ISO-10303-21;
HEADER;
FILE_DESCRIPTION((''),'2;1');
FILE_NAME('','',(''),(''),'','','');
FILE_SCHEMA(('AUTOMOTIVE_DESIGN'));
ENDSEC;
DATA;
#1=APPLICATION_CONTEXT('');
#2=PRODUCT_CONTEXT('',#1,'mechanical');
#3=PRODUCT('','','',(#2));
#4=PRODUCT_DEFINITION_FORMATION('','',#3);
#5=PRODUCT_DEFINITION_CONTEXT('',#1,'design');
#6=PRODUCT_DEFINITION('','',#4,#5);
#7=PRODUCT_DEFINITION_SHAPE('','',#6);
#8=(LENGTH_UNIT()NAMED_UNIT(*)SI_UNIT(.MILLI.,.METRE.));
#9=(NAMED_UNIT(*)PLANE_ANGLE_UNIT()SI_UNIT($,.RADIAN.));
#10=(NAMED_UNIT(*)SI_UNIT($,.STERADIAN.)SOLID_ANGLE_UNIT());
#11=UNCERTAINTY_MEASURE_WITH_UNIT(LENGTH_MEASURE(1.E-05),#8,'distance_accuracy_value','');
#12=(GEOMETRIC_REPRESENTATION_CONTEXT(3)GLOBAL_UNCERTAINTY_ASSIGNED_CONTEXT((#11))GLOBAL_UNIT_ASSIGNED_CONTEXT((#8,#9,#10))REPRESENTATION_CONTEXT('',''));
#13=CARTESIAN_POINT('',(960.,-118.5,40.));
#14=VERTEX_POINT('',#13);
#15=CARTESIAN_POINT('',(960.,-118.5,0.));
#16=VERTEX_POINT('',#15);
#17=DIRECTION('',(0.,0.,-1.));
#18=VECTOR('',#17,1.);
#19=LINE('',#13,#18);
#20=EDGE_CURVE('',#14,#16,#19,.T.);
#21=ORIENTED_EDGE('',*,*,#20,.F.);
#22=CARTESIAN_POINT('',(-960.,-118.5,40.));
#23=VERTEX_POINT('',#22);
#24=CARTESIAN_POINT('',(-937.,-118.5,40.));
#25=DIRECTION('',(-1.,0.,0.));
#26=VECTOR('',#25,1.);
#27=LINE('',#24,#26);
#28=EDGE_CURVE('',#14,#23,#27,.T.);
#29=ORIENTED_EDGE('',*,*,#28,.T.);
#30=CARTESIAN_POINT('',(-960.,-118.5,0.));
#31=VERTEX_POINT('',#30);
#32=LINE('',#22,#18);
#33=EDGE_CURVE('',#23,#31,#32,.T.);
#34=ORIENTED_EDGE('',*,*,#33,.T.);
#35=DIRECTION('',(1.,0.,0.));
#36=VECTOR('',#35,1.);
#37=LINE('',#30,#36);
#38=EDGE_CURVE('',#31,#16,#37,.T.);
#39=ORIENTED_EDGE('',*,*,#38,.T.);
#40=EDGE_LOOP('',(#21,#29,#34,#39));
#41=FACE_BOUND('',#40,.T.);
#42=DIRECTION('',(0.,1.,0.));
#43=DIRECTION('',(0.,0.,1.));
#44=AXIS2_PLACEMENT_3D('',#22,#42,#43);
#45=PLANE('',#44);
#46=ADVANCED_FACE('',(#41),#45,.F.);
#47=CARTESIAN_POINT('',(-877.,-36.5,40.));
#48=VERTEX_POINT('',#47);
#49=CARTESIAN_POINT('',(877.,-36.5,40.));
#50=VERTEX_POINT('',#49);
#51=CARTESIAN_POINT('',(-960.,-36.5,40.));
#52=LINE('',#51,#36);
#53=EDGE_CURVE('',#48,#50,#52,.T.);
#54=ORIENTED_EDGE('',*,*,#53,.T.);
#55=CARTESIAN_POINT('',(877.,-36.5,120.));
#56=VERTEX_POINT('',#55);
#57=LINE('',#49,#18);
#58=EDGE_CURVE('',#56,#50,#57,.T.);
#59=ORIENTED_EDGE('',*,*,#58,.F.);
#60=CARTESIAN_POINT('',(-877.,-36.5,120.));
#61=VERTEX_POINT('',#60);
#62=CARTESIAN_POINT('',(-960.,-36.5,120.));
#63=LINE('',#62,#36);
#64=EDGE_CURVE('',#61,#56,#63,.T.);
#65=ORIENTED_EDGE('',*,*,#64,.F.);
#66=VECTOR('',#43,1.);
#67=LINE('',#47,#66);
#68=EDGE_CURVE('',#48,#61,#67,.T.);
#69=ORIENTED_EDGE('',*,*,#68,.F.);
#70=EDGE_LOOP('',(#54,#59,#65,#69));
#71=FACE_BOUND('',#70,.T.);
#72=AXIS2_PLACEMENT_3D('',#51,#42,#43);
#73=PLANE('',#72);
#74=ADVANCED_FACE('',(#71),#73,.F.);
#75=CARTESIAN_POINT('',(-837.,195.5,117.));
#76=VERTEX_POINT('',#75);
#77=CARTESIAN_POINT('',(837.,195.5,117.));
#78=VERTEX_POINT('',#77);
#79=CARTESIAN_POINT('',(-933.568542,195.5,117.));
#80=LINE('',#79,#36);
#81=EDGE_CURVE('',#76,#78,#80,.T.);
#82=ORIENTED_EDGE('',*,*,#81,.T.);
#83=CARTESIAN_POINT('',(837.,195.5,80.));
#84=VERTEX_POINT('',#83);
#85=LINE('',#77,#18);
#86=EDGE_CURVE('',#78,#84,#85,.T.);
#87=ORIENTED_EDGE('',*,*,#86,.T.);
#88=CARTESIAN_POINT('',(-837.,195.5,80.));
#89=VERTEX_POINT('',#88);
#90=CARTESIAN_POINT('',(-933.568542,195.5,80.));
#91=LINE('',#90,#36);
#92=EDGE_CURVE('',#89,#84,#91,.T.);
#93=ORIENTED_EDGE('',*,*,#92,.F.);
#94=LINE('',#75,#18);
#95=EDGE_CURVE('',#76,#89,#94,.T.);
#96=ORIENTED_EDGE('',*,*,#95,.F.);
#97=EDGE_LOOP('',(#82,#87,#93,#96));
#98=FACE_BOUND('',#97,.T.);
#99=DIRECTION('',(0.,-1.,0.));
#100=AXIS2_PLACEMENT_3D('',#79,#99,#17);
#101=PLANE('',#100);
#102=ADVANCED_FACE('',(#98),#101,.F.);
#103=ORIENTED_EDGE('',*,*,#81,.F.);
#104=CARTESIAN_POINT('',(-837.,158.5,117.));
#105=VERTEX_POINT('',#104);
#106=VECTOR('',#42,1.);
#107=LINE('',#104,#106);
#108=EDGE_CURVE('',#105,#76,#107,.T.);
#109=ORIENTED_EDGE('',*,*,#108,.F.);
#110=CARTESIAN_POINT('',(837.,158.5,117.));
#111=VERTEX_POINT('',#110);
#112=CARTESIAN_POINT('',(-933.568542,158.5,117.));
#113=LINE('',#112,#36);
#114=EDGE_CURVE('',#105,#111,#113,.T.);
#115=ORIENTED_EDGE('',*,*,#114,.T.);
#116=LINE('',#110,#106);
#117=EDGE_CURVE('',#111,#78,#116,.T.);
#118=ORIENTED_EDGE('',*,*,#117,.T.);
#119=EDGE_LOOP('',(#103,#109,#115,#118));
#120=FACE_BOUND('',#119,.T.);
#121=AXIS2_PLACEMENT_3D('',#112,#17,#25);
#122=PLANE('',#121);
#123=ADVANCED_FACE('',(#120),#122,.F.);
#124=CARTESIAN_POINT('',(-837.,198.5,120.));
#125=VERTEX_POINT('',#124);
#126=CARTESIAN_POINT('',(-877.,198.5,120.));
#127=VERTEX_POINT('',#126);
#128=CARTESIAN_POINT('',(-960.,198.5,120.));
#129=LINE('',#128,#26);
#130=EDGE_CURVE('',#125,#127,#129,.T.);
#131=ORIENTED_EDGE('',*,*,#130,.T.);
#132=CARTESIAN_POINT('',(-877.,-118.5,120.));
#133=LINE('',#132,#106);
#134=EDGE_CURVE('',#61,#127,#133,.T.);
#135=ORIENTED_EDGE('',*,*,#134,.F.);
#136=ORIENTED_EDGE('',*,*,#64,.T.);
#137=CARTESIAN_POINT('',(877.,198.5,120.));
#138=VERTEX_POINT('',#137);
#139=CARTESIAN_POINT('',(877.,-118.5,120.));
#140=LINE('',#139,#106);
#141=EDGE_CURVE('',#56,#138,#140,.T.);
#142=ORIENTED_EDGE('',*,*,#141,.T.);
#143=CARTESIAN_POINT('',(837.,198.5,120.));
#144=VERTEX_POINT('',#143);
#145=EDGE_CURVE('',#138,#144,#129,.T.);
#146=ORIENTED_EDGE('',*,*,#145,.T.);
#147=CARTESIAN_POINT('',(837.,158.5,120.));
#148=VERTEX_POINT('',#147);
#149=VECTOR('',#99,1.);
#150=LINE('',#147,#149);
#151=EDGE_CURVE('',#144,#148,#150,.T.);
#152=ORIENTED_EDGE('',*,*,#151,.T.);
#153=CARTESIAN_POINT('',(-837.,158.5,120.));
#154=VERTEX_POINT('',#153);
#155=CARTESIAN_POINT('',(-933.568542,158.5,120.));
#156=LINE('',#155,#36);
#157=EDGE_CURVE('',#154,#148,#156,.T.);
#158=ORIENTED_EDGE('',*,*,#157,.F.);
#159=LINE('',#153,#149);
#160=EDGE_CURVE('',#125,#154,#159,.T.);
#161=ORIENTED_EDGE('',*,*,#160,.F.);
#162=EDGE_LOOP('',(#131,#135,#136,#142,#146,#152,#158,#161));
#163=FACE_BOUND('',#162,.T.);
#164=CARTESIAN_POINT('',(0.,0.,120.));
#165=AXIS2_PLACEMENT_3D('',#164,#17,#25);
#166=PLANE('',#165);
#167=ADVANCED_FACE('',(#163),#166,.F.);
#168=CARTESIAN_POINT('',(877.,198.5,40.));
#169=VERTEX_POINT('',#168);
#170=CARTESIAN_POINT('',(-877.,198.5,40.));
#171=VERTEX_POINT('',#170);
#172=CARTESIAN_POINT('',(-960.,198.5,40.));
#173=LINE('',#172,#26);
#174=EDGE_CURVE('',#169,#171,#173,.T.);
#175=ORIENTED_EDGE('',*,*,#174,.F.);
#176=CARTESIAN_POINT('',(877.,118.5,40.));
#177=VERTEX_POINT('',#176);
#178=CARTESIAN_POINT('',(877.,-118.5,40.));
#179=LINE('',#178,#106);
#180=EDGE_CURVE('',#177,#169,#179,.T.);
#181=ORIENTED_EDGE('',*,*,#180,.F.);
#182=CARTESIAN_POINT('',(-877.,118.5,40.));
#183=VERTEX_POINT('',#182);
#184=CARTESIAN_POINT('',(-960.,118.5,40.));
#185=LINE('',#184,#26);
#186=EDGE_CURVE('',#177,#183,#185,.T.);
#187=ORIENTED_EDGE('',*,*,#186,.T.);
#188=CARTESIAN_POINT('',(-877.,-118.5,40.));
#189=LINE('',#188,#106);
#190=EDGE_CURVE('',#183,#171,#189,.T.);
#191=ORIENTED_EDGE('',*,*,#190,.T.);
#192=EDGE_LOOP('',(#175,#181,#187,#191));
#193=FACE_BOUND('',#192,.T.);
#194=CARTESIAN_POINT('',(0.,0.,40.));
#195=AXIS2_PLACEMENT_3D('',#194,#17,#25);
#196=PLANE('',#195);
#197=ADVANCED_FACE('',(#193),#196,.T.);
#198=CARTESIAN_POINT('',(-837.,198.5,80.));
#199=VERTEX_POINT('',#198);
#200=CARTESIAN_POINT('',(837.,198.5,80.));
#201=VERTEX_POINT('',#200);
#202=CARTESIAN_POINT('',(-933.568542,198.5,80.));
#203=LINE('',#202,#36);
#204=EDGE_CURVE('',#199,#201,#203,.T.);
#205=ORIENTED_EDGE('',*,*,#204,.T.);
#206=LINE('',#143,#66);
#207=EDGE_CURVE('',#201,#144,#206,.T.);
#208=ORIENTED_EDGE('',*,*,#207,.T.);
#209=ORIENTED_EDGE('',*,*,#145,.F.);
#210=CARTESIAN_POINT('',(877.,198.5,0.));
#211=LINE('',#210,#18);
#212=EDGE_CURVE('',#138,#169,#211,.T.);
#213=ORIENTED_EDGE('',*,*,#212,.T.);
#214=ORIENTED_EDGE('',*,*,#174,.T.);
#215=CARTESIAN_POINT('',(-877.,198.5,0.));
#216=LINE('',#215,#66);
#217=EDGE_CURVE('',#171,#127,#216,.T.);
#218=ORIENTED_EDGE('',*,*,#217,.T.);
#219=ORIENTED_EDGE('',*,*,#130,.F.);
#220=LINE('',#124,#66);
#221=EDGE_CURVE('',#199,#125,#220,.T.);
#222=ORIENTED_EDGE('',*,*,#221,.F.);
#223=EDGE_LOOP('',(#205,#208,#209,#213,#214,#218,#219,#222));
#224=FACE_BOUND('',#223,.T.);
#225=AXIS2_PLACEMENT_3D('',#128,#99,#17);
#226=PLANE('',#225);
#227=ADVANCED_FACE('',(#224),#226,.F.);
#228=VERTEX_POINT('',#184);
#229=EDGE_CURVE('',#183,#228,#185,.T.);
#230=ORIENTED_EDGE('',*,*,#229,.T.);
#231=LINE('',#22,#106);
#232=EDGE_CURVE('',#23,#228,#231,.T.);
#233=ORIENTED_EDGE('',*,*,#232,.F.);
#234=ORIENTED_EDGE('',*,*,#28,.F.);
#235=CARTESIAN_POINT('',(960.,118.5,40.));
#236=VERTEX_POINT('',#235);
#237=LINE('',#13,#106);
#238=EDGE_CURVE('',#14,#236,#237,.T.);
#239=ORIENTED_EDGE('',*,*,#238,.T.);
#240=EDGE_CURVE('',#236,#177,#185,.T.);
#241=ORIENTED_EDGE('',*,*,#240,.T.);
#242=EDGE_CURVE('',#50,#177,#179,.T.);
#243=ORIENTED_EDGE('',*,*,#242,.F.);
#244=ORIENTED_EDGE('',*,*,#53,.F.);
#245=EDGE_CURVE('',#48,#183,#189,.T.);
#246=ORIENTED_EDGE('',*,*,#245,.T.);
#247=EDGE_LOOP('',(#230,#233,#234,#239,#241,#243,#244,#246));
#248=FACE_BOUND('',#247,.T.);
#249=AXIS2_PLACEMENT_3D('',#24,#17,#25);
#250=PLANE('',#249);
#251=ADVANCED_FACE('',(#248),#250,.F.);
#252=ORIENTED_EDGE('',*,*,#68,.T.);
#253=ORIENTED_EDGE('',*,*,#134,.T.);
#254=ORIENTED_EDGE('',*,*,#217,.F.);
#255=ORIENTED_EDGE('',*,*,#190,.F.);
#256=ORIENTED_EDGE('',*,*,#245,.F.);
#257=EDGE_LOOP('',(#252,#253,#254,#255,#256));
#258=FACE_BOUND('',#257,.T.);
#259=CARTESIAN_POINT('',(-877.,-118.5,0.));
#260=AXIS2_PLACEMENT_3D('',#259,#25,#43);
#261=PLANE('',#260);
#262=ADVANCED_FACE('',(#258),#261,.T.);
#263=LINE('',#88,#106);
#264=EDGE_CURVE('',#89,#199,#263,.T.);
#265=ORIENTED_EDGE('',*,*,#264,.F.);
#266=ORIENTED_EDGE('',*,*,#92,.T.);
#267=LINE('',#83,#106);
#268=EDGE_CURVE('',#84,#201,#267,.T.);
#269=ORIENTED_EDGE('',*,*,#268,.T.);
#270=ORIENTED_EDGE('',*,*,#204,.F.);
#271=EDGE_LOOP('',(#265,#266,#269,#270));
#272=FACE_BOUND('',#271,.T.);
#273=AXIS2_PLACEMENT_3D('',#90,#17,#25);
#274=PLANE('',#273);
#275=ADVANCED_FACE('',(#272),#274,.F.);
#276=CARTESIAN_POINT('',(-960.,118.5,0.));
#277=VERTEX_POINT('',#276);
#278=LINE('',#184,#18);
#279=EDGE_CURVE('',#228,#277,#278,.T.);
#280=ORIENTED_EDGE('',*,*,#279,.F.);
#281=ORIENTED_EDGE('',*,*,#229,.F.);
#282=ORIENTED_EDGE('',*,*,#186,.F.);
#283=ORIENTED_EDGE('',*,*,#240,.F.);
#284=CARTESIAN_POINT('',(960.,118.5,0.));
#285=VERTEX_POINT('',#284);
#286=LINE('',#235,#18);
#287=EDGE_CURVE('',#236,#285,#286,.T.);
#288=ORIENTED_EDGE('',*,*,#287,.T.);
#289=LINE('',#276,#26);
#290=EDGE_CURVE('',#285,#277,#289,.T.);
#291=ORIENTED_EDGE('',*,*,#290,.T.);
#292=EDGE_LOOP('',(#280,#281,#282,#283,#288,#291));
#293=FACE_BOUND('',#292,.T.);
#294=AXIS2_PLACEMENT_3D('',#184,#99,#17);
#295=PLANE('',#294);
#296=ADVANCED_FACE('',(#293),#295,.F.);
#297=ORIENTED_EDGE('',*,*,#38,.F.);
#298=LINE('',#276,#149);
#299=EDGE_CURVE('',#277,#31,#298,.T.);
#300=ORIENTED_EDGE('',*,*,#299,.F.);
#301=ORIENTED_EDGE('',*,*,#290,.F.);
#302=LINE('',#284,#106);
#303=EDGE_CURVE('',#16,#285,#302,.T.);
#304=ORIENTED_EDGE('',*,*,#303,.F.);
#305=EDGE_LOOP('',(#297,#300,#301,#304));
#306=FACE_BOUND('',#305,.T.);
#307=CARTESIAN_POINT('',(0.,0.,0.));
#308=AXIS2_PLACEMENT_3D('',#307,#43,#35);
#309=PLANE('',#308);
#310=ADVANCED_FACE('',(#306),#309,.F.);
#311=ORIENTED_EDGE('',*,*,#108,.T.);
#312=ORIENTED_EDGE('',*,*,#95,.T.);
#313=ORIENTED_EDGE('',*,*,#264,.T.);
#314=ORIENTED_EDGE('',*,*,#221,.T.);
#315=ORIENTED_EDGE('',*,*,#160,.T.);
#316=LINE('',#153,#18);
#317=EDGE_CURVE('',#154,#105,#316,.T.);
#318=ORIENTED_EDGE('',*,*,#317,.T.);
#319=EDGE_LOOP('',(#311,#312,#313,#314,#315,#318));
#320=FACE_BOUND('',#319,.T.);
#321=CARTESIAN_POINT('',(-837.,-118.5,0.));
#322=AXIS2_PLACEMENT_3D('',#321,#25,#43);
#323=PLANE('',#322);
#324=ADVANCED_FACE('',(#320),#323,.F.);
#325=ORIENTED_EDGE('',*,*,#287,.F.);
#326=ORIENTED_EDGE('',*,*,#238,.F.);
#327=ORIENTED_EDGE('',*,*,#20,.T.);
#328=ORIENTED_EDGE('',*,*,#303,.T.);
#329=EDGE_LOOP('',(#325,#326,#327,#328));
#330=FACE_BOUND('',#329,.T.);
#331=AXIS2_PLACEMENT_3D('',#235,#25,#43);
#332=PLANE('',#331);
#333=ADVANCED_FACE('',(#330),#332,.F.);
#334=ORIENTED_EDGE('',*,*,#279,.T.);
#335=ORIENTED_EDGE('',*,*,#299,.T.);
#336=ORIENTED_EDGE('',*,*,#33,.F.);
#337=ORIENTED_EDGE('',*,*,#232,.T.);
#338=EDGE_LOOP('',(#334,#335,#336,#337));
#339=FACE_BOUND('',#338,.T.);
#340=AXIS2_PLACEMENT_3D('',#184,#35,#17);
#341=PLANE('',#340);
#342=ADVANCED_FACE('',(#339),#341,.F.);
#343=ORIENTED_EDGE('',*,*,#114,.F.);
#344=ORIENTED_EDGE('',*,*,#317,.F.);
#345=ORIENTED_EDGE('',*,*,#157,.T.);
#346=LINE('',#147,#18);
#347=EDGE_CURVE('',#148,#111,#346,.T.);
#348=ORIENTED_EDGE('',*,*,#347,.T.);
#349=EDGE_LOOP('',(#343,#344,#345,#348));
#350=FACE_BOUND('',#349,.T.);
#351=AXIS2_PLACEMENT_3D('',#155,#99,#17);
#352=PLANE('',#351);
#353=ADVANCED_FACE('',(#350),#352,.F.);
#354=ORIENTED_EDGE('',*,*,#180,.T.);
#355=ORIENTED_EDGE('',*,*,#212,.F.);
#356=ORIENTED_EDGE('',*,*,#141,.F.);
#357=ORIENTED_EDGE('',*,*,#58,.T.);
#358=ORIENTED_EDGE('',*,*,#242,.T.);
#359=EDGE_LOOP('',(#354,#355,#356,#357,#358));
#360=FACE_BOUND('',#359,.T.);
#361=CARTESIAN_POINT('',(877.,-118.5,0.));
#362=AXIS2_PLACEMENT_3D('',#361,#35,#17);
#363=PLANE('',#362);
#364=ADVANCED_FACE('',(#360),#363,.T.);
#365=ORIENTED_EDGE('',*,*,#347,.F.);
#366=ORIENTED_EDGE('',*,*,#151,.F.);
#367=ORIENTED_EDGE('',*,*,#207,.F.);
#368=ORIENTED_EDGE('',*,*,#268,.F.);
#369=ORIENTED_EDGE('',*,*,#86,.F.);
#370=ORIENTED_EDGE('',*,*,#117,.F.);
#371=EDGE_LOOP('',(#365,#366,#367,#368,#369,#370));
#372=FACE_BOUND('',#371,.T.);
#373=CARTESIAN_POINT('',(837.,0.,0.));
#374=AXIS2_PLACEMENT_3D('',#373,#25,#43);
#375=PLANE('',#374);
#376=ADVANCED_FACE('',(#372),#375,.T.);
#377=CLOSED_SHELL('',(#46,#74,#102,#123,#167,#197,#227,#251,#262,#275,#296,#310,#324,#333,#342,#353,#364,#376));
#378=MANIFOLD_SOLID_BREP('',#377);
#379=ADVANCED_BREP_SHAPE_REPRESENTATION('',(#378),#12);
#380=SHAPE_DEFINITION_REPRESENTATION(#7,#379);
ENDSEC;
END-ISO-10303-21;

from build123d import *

# Parameters (mm, degrees)
SKETCH1_W           = 1920
SKETCH1_H           = 237
BOSS_EXTRUDE1_DEPTH = 40
SKETCH2_W           = 1920
SKETCH2_H           = 317
BOSS_EXTRUDE2_DEPTH = 80
SKETCH3_W           = 23
SKETCH3_H           = 80
CUT_EXTRUDE2_DEPTH  = 1019.081038032
SKETCH6_W           = 80
SKETCH6_H           = 82
CUT_EXTRUDE3_DEPTH  = 1912.128266234
SKETCH7_W           = 60
SKETCH7_H           = 80
CUT_EXTRUDE4_DEPTH  = 1019.081038032
CUT_EXTRUDE5_DEPTH  = 1674


with BuildPart() as part:
    # Sketch1 → Boss-Extrude1 (new body)
    with BuildSketch(Plane.XY):
        Rectangle(SKETCH1_W, SKETCH1_H)
    extrude(amount=BOSS_EXTRUDE1_DEPTH)

    # Sketch2 → Boss-Extrude2 (add)
    with BuildSketch(Plane.XY.offset(40)):
        with Locations((0, 40)):
            Rectangle(SKETCH2_W, SKETCH2_H)
    extrude(amount=BOSS_EXTRUDE2_DEPTH)

    # Sketch3 → Cut-Extrude2 (cut, through all)
    with BuildSketch(Plane(origin=(0, 198.5, 0), x_dir=(1, 0, 0), z_dir=(0, 1, 0))):
        with Locations((-948.5, -80)):
            Rectangle(SKETCH3_W, SKETCH3_H)
        with Locations((948.5, -80)):
            Rectangle(SKETCH3_W, SKETCH3_H)
    extrude(amount=-CUT_EXTRUDE2_DEPTH, mode=Mode.SUBTRACT)

    # Sketch6 → Cut-Extrude3 (cut, through all)
    with BuildSketch(Plane(origin=(937, 0, 0), x_dir=(0, 0, -1), z_dir=(1, 0, 0))):
        with Locations((-80, -77.5)):
            Rectangle(SKETCH6_W, SKETCH6_H)
    extrude(amount=-CUT_EXTRUDE3_DEPTH, mode=Mode.SUBTRACT)

    # Sketch7 → Cut-Extrude4 (cut, through all)
    with BuildSketch(Plane(origin=(0, 198.5, 0), x_dir=(1, 0, 0), z_dir=(0, 1, 0))):
        with Locations((-907, -80)):
            Rectangle(SKETCH7_W, SKETCH7_H)
        with Locations((907, -80)):
            Rectangle(SKETCH7_W, SKETCH7_H)
    extrude(amount=-CUT_EXTRUDE4_DEPTH, mode=Mode.SUBTRACT)

    # Sketch8 → Cut-Extrude5 (cut)
    with BuildSketch(Plane(origin=(837, 0, 0), x_dir=(0, 0, -1), z_dir=(1, 0, 0))):
        Polygon((-117, 158.5), (-117, 195.5), (-80, 195.5), (-80, 198.5), (-120, 198.5), (-120, 158.5), align=None)
    extrude(amount=-CUT_EXTRUDE5_DEPTH, mode=Mode.SUBTRACT)


solid = part.part
